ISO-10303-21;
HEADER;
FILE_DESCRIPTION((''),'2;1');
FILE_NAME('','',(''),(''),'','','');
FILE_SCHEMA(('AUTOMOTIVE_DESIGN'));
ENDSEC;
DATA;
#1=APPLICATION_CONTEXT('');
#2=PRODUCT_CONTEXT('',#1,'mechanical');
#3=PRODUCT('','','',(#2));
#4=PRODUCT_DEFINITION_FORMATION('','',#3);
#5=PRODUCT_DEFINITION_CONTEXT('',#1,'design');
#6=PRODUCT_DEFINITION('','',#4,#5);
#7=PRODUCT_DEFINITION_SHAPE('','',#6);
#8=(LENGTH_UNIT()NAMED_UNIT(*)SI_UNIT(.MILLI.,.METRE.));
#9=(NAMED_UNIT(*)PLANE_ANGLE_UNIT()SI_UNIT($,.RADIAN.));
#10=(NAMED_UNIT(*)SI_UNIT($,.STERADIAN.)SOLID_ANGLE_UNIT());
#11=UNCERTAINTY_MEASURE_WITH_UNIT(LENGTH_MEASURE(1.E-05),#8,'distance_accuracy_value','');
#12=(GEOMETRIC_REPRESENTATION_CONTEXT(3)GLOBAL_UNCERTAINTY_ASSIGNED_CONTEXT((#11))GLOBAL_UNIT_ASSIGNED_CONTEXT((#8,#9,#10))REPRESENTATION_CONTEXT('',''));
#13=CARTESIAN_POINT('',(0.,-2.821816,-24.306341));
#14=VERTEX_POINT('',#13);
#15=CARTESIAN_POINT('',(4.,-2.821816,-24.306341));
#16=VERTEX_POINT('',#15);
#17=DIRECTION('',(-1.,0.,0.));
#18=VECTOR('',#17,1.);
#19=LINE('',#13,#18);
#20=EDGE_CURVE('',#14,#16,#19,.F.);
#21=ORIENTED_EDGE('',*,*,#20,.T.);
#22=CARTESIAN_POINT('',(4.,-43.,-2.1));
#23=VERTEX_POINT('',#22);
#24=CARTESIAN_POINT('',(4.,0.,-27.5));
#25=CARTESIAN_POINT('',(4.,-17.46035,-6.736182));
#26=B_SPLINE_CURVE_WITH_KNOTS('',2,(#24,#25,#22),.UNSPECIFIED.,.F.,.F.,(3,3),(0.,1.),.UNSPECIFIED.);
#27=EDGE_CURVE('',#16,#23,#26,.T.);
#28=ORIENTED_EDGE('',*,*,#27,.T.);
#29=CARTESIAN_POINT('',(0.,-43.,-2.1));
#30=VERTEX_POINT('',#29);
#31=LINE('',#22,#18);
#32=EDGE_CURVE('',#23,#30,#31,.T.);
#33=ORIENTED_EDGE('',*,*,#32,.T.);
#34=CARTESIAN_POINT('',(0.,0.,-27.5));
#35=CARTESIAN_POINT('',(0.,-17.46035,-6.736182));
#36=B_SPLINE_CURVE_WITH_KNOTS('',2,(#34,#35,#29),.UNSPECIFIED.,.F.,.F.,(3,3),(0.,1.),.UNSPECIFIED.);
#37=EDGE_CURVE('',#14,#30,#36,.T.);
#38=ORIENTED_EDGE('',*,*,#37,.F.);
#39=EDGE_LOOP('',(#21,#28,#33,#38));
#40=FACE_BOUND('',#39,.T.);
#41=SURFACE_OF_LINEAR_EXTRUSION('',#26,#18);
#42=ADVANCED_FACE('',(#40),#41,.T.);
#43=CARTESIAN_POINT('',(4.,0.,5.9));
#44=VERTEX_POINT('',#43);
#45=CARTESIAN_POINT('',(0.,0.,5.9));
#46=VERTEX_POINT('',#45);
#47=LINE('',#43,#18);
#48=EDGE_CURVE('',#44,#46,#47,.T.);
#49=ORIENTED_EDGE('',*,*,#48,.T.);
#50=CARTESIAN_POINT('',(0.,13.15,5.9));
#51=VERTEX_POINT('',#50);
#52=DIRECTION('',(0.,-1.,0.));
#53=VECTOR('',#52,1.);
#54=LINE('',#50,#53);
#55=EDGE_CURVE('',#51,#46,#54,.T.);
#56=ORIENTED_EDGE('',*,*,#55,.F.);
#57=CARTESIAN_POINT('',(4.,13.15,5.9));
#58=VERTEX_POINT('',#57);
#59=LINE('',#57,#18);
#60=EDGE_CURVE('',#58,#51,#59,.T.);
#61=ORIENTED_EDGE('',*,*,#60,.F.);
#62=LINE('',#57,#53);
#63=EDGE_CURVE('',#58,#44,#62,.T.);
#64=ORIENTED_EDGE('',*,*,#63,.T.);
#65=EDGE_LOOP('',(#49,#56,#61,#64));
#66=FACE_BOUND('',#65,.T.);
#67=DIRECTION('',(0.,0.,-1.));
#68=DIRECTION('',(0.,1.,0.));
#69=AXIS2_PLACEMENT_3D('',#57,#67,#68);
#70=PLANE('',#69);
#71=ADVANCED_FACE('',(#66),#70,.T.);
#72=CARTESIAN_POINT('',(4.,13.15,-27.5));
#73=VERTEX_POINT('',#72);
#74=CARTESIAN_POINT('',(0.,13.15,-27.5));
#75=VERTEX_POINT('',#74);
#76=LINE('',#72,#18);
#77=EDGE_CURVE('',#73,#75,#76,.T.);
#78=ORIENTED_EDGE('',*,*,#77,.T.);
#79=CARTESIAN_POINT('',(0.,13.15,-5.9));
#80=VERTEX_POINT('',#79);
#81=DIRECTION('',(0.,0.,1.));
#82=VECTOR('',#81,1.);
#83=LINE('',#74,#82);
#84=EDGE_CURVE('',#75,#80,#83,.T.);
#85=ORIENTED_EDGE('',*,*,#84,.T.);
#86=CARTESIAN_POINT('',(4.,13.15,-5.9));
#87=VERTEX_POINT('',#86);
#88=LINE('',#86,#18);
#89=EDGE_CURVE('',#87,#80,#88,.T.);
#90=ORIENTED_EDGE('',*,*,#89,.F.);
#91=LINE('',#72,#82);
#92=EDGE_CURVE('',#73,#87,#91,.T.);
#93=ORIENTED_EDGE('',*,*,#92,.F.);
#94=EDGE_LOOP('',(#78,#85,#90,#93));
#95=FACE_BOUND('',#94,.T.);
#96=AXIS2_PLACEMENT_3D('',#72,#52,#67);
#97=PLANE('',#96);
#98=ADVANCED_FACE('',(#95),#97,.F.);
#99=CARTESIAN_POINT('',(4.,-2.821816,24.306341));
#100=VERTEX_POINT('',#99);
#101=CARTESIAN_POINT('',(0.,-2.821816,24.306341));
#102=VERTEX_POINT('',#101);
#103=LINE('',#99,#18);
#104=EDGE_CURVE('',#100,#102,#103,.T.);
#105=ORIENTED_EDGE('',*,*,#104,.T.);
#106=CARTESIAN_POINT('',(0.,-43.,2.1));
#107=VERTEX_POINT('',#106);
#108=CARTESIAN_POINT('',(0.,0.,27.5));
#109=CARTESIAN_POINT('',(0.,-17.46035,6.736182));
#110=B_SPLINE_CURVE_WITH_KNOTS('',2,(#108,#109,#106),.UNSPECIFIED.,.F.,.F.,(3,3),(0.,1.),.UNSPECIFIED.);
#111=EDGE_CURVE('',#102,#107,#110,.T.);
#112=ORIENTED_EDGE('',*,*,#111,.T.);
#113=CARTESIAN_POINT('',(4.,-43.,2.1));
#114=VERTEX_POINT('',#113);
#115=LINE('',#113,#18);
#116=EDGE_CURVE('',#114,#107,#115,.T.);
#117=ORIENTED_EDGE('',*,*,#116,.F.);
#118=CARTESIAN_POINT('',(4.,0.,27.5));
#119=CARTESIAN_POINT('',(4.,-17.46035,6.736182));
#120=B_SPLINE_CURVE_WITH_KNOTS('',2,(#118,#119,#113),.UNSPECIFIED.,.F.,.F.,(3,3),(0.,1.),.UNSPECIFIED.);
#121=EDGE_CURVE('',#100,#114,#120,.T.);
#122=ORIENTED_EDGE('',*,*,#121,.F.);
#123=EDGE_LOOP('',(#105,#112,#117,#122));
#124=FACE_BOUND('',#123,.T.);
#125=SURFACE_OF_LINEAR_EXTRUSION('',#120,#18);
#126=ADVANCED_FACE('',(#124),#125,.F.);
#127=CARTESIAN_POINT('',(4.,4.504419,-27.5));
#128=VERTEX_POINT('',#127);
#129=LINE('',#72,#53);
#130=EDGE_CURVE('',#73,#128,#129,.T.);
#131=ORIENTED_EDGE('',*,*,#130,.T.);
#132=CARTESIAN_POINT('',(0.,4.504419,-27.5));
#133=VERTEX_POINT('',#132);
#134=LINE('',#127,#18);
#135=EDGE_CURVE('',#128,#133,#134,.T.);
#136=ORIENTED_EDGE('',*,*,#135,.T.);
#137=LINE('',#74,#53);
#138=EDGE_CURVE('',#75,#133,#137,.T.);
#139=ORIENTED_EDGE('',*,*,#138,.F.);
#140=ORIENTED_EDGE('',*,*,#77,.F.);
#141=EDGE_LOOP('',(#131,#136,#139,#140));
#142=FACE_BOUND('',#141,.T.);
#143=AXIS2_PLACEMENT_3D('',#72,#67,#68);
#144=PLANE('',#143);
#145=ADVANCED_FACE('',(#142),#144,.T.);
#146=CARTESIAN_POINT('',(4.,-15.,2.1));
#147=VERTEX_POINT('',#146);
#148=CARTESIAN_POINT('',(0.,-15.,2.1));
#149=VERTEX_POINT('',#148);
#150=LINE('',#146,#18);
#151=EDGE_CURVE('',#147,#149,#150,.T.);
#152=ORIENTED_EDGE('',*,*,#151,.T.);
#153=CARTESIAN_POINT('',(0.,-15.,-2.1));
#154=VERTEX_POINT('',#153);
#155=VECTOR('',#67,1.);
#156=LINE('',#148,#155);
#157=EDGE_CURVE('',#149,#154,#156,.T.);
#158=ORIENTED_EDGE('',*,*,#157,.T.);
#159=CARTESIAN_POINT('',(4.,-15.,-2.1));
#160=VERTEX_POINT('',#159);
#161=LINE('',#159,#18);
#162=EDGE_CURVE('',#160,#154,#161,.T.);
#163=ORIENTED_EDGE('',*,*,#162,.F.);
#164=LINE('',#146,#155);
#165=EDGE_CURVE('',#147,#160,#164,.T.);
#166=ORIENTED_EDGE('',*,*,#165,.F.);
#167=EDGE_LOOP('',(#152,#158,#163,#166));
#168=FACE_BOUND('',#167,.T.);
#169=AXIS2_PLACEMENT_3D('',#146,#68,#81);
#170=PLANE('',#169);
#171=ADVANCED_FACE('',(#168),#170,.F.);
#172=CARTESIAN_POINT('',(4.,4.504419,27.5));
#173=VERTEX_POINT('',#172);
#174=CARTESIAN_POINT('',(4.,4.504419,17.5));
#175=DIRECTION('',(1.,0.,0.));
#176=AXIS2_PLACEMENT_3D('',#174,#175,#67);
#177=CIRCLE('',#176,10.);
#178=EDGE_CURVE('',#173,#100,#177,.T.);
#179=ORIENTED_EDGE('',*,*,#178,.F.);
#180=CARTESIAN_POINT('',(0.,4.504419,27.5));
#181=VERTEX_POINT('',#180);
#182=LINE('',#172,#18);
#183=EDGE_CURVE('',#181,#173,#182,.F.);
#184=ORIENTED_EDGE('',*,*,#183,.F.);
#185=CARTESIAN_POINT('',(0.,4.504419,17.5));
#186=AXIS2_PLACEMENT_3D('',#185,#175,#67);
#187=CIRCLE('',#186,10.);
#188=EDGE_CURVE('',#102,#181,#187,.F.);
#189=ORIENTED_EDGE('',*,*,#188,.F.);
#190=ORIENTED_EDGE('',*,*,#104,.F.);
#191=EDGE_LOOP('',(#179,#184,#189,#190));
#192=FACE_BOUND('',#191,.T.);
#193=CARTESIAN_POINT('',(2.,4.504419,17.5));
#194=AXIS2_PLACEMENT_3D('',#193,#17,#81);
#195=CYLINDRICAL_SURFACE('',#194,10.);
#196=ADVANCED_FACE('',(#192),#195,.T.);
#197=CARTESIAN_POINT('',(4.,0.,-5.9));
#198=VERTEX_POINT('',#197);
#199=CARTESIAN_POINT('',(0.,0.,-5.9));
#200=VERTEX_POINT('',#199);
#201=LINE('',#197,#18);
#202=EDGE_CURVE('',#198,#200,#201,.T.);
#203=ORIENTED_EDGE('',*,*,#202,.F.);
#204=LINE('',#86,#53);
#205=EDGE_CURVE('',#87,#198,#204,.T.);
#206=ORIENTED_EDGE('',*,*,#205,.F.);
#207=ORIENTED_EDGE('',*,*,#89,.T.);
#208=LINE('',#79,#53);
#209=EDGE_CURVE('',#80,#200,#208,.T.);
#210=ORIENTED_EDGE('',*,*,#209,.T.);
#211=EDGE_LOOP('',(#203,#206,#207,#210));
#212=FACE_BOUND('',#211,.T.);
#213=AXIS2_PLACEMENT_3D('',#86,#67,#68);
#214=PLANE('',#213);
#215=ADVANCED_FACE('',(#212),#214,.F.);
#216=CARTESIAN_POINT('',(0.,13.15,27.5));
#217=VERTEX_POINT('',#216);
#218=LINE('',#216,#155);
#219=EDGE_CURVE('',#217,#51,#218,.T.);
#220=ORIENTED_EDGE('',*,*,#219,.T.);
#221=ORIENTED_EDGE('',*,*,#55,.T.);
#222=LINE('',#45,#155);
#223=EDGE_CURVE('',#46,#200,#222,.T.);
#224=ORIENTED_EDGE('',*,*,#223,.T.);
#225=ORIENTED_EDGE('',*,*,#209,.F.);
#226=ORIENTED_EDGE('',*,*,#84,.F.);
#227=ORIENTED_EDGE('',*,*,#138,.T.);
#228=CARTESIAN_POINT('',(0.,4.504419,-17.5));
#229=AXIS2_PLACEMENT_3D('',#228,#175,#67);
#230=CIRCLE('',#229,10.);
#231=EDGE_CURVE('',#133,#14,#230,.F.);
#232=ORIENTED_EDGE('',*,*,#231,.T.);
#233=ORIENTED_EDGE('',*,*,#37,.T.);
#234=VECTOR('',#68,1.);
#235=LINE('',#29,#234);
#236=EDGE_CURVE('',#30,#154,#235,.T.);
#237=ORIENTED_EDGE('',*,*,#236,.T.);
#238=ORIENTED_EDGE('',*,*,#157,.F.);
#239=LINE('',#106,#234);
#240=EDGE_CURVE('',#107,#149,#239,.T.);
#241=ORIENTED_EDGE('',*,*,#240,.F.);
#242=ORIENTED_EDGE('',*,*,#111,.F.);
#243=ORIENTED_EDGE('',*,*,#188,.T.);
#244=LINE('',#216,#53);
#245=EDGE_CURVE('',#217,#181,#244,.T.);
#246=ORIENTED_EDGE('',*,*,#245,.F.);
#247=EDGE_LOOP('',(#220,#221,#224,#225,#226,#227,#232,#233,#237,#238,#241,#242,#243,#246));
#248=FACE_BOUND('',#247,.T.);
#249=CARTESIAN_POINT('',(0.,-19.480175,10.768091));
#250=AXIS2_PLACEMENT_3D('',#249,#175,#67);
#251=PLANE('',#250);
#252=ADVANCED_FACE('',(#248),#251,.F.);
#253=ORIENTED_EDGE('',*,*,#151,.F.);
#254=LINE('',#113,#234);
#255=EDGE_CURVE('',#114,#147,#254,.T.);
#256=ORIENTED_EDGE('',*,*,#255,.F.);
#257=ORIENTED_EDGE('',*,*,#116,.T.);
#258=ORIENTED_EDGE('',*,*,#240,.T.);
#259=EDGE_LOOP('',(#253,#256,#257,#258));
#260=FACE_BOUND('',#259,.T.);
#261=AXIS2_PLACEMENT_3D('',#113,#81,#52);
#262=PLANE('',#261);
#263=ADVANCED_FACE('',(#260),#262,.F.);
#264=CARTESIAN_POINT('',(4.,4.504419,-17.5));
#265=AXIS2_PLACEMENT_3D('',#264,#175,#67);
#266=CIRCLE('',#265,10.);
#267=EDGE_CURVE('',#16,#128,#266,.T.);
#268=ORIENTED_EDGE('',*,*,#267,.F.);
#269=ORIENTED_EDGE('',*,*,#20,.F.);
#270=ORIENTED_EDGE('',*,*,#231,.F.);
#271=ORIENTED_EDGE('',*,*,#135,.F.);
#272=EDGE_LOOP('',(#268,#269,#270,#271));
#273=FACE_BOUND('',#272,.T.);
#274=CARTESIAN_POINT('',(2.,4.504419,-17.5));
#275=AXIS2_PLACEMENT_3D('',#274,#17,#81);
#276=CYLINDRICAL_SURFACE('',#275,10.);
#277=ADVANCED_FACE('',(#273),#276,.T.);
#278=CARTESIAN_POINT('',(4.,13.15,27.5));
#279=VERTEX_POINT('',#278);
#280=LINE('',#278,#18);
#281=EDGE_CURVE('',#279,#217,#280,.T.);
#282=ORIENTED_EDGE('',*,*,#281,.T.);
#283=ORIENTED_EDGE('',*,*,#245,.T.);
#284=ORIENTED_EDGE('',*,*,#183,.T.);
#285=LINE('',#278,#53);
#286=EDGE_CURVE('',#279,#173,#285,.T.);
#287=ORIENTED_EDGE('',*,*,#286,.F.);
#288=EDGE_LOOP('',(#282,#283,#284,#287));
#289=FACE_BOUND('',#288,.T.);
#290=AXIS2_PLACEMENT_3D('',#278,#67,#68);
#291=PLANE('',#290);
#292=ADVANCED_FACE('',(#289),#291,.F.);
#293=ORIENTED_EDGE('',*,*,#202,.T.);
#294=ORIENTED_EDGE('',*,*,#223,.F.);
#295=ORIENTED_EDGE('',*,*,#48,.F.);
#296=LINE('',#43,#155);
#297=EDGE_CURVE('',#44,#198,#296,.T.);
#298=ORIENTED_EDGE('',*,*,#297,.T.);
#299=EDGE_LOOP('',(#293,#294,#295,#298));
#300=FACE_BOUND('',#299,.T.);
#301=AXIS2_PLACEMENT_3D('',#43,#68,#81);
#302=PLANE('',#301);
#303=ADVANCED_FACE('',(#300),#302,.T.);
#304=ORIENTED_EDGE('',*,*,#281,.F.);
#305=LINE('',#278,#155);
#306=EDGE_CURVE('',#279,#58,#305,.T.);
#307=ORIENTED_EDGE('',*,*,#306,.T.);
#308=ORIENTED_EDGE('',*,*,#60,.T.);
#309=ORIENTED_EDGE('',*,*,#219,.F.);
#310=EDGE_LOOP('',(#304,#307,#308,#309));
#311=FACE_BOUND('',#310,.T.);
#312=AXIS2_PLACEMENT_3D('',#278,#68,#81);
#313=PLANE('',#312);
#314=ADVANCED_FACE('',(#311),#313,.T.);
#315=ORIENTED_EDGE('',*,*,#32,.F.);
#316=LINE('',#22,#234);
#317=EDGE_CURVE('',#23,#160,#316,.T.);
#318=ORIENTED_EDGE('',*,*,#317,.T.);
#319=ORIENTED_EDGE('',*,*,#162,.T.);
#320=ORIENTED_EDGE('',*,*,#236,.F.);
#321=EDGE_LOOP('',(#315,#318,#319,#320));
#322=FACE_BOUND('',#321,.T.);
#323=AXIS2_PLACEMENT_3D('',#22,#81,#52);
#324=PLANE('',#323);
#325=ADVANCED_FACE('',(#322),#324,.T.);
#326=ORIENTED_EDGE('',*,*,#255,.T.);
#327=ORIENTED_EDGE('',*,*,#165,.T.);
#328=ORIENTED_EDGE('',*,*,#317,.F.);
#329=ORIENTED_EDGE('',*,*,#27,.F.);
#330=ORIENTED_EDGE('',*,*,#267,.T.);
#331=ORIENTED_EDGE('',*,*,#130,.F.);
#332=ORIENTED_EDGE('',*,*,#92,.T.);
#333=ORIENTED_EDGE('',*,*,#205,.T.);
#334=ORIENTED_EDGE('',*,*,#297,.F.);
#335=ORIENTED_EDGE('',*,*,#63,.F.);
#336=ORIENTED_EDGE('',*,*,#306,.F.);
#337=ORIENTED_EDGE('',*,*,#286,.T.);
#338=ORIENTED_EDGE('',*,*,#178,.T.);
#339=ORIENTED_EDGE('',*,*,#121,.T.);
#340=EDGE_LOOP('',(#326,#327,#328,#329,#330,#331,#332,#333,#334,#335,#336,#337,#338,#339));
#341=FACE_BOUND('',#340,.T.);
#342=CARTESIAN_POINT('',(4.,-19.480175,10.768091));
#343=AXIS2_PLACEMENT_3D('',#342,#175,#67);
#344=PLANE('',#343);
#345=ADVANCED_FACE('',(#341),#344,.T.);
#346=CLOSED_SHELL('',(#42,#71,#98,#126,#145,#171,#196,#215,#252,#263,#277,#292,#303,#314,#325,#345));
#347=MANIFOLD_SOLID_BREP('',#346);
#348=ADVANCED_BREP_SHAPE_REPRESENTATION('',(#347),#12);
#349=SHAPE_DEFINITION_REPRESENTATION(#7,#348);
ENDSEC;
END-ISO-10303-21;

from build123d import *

# Parameters (mm, degrees)
BOSS_EXTRU_1_DEPTH = 4
CONG_1_R           = 10


with BuildPart() as part:
    # Esquisse1 → Boss.-Extru.1 (new body)
    with BuildSketch(Plane(origin=(0, 0, 0), x_dir=(0, 0, -1), z_dir=(1, 0, 0))):
        with BuildLine():
            Line((-27.5, 13.15), (-27.5, 0))
            add(Edge.make_bspline(
                [(-27.5, 0), (-6.736181912, -17.460350191), (-2.1, -43)],
                knots=[0, 0, 0, 1, 1, 1], degree=2))
            Line((-2.1, -43), (-2.1, -15))
            Line((-2.1, -15), (2.1, -15))
            Line((2.1, -15), (2.1, -43))
            add(Edge.make_bspline(
                [(27.5, 0), (6.736181912, -17.460350191), (2.1, -43)],
                knots=[0, 0, 0, 1, 1, 1], degree=2))
            Line((27.5, 0), (27.5, 13.15))
            Line((27.5, 13.15), (5.9, 13.15))
            Line((5.9, 13.15), (5.9, 0))
            Line((5.9, 0), (-5.9, 0))
            Line((-5.9, 0), (-5.9, 13.15))
            Line((-5.9, 13.15), (-27.5, 13.15))
        make_face()
    extrude(amount=BOSS_EXTRU_1_DEPTH)

    # Congé1
    cong_1_edges = [part.edges().sort_by_distance(p)[0] for p in [
        (2, 0, -27.5),
        (2, 0, 27.5),
    ]]
    fillet(cong_1_edges, radius=CONG_1_R)


solid = part.part
